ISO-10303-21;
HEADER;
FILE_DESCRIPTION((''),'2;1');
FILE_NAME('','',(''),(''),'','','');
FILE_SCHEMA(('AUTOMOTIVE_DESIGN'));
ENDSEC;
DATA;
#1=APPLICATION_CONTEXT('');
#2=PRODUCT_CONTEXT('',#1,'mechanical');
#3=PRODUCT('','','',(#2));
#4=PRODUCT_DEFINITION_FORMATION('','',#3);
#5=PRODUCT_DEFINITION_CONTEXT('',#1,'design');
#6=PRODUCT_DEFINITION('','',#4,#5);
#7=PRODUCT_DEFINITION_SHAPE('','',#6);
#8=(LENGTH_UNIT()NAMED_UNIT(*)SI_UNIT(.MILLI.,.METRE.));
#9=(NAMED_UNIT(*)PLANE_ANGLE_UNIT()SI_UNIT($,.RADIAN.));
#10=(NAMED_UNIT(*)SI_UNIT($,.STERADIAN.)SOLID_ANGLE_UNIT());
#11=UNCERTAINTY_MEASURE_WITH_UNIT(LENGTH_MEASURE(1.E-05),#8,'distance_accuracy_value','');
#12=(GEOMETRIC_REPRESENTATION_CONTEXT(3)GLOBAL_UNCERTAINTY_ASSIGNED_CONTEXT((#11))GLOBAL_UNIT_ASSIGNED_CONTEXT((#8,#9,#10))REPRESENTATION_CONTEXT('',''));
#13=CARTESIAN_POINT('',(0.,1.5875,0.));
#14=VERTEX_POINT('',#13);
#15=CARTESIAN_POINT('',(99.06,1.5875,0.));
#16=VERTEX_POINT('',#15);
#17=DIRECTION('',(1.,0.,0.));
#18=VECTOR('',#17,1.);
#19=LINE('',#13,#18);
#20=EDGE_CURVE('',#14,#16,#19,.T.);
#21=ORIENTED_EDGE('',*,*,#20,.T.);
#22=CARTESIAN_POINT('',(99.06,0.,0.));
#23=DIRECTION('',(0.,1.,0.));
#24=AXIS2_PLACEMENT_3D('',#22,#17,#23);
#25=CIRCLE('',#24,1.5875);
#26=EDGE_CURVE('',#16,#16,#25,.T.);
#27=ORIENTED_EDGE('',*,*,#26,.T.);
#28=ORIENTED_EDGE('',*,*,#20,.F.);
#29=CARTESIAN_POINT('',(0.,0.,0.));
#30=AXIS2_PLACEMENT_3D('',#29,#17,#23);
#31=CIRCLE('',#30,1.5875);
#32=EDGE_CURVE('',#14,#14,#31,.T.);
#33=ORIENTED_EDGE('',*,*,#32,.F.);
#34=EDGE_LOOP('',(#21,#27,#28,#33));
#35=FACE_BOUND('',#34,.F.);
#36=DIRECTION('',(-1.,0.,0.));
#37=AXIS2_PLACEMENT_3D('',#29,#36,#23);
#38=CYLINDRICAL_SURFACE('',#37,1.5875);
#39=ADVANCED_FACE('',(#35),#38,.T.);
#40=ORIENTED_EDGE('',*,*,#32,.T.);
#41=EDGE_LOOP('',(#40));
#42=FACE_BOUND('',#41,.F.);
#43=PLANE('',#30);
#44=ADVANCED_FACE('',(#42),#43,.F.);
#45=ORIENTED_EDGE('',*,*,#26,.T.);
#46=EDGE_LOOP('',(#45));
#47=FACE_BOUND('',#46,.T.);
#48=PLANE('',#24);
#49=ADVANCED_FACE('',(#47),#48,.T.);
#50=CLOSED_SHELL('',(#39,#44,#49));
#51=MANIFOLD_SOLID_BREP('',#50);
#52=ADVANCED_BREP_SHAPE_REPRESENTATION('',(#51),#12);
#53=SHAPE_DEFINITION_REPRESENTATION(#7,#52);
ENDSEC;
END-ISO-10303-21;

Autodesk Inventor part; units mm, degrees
ref_plane "YZ Plane" through (0, 0, 0) normal (1, 0, 0) x (0, 1, 0)
ref_plane "XZ Plane" through (0, 0, 0) normal (0, 1, 0) x (-1, 0, 0)
ref_plane "XY Plane" through (0, 0, 0) normal (0, 0, 1) x (1, 0, 0)
sketch "Sketch1" plane through (0, 0, 0) normal (1, 0, 0) x (0, 1, 0)
  circle A0 centre (0, 0) radius 1.5875
  dimension "d0" = 3.175
extrude "Extrusion1" add sketch "Sketch1" along normal blind 99.06
thread "Thread1" size "5-40 UNC" class "2A" standard "ANSI Unified Screw Threads" full length
properties part number "aftServoSectionThreadedRodThread_5_40" material "Stainless Steel, Polished"
